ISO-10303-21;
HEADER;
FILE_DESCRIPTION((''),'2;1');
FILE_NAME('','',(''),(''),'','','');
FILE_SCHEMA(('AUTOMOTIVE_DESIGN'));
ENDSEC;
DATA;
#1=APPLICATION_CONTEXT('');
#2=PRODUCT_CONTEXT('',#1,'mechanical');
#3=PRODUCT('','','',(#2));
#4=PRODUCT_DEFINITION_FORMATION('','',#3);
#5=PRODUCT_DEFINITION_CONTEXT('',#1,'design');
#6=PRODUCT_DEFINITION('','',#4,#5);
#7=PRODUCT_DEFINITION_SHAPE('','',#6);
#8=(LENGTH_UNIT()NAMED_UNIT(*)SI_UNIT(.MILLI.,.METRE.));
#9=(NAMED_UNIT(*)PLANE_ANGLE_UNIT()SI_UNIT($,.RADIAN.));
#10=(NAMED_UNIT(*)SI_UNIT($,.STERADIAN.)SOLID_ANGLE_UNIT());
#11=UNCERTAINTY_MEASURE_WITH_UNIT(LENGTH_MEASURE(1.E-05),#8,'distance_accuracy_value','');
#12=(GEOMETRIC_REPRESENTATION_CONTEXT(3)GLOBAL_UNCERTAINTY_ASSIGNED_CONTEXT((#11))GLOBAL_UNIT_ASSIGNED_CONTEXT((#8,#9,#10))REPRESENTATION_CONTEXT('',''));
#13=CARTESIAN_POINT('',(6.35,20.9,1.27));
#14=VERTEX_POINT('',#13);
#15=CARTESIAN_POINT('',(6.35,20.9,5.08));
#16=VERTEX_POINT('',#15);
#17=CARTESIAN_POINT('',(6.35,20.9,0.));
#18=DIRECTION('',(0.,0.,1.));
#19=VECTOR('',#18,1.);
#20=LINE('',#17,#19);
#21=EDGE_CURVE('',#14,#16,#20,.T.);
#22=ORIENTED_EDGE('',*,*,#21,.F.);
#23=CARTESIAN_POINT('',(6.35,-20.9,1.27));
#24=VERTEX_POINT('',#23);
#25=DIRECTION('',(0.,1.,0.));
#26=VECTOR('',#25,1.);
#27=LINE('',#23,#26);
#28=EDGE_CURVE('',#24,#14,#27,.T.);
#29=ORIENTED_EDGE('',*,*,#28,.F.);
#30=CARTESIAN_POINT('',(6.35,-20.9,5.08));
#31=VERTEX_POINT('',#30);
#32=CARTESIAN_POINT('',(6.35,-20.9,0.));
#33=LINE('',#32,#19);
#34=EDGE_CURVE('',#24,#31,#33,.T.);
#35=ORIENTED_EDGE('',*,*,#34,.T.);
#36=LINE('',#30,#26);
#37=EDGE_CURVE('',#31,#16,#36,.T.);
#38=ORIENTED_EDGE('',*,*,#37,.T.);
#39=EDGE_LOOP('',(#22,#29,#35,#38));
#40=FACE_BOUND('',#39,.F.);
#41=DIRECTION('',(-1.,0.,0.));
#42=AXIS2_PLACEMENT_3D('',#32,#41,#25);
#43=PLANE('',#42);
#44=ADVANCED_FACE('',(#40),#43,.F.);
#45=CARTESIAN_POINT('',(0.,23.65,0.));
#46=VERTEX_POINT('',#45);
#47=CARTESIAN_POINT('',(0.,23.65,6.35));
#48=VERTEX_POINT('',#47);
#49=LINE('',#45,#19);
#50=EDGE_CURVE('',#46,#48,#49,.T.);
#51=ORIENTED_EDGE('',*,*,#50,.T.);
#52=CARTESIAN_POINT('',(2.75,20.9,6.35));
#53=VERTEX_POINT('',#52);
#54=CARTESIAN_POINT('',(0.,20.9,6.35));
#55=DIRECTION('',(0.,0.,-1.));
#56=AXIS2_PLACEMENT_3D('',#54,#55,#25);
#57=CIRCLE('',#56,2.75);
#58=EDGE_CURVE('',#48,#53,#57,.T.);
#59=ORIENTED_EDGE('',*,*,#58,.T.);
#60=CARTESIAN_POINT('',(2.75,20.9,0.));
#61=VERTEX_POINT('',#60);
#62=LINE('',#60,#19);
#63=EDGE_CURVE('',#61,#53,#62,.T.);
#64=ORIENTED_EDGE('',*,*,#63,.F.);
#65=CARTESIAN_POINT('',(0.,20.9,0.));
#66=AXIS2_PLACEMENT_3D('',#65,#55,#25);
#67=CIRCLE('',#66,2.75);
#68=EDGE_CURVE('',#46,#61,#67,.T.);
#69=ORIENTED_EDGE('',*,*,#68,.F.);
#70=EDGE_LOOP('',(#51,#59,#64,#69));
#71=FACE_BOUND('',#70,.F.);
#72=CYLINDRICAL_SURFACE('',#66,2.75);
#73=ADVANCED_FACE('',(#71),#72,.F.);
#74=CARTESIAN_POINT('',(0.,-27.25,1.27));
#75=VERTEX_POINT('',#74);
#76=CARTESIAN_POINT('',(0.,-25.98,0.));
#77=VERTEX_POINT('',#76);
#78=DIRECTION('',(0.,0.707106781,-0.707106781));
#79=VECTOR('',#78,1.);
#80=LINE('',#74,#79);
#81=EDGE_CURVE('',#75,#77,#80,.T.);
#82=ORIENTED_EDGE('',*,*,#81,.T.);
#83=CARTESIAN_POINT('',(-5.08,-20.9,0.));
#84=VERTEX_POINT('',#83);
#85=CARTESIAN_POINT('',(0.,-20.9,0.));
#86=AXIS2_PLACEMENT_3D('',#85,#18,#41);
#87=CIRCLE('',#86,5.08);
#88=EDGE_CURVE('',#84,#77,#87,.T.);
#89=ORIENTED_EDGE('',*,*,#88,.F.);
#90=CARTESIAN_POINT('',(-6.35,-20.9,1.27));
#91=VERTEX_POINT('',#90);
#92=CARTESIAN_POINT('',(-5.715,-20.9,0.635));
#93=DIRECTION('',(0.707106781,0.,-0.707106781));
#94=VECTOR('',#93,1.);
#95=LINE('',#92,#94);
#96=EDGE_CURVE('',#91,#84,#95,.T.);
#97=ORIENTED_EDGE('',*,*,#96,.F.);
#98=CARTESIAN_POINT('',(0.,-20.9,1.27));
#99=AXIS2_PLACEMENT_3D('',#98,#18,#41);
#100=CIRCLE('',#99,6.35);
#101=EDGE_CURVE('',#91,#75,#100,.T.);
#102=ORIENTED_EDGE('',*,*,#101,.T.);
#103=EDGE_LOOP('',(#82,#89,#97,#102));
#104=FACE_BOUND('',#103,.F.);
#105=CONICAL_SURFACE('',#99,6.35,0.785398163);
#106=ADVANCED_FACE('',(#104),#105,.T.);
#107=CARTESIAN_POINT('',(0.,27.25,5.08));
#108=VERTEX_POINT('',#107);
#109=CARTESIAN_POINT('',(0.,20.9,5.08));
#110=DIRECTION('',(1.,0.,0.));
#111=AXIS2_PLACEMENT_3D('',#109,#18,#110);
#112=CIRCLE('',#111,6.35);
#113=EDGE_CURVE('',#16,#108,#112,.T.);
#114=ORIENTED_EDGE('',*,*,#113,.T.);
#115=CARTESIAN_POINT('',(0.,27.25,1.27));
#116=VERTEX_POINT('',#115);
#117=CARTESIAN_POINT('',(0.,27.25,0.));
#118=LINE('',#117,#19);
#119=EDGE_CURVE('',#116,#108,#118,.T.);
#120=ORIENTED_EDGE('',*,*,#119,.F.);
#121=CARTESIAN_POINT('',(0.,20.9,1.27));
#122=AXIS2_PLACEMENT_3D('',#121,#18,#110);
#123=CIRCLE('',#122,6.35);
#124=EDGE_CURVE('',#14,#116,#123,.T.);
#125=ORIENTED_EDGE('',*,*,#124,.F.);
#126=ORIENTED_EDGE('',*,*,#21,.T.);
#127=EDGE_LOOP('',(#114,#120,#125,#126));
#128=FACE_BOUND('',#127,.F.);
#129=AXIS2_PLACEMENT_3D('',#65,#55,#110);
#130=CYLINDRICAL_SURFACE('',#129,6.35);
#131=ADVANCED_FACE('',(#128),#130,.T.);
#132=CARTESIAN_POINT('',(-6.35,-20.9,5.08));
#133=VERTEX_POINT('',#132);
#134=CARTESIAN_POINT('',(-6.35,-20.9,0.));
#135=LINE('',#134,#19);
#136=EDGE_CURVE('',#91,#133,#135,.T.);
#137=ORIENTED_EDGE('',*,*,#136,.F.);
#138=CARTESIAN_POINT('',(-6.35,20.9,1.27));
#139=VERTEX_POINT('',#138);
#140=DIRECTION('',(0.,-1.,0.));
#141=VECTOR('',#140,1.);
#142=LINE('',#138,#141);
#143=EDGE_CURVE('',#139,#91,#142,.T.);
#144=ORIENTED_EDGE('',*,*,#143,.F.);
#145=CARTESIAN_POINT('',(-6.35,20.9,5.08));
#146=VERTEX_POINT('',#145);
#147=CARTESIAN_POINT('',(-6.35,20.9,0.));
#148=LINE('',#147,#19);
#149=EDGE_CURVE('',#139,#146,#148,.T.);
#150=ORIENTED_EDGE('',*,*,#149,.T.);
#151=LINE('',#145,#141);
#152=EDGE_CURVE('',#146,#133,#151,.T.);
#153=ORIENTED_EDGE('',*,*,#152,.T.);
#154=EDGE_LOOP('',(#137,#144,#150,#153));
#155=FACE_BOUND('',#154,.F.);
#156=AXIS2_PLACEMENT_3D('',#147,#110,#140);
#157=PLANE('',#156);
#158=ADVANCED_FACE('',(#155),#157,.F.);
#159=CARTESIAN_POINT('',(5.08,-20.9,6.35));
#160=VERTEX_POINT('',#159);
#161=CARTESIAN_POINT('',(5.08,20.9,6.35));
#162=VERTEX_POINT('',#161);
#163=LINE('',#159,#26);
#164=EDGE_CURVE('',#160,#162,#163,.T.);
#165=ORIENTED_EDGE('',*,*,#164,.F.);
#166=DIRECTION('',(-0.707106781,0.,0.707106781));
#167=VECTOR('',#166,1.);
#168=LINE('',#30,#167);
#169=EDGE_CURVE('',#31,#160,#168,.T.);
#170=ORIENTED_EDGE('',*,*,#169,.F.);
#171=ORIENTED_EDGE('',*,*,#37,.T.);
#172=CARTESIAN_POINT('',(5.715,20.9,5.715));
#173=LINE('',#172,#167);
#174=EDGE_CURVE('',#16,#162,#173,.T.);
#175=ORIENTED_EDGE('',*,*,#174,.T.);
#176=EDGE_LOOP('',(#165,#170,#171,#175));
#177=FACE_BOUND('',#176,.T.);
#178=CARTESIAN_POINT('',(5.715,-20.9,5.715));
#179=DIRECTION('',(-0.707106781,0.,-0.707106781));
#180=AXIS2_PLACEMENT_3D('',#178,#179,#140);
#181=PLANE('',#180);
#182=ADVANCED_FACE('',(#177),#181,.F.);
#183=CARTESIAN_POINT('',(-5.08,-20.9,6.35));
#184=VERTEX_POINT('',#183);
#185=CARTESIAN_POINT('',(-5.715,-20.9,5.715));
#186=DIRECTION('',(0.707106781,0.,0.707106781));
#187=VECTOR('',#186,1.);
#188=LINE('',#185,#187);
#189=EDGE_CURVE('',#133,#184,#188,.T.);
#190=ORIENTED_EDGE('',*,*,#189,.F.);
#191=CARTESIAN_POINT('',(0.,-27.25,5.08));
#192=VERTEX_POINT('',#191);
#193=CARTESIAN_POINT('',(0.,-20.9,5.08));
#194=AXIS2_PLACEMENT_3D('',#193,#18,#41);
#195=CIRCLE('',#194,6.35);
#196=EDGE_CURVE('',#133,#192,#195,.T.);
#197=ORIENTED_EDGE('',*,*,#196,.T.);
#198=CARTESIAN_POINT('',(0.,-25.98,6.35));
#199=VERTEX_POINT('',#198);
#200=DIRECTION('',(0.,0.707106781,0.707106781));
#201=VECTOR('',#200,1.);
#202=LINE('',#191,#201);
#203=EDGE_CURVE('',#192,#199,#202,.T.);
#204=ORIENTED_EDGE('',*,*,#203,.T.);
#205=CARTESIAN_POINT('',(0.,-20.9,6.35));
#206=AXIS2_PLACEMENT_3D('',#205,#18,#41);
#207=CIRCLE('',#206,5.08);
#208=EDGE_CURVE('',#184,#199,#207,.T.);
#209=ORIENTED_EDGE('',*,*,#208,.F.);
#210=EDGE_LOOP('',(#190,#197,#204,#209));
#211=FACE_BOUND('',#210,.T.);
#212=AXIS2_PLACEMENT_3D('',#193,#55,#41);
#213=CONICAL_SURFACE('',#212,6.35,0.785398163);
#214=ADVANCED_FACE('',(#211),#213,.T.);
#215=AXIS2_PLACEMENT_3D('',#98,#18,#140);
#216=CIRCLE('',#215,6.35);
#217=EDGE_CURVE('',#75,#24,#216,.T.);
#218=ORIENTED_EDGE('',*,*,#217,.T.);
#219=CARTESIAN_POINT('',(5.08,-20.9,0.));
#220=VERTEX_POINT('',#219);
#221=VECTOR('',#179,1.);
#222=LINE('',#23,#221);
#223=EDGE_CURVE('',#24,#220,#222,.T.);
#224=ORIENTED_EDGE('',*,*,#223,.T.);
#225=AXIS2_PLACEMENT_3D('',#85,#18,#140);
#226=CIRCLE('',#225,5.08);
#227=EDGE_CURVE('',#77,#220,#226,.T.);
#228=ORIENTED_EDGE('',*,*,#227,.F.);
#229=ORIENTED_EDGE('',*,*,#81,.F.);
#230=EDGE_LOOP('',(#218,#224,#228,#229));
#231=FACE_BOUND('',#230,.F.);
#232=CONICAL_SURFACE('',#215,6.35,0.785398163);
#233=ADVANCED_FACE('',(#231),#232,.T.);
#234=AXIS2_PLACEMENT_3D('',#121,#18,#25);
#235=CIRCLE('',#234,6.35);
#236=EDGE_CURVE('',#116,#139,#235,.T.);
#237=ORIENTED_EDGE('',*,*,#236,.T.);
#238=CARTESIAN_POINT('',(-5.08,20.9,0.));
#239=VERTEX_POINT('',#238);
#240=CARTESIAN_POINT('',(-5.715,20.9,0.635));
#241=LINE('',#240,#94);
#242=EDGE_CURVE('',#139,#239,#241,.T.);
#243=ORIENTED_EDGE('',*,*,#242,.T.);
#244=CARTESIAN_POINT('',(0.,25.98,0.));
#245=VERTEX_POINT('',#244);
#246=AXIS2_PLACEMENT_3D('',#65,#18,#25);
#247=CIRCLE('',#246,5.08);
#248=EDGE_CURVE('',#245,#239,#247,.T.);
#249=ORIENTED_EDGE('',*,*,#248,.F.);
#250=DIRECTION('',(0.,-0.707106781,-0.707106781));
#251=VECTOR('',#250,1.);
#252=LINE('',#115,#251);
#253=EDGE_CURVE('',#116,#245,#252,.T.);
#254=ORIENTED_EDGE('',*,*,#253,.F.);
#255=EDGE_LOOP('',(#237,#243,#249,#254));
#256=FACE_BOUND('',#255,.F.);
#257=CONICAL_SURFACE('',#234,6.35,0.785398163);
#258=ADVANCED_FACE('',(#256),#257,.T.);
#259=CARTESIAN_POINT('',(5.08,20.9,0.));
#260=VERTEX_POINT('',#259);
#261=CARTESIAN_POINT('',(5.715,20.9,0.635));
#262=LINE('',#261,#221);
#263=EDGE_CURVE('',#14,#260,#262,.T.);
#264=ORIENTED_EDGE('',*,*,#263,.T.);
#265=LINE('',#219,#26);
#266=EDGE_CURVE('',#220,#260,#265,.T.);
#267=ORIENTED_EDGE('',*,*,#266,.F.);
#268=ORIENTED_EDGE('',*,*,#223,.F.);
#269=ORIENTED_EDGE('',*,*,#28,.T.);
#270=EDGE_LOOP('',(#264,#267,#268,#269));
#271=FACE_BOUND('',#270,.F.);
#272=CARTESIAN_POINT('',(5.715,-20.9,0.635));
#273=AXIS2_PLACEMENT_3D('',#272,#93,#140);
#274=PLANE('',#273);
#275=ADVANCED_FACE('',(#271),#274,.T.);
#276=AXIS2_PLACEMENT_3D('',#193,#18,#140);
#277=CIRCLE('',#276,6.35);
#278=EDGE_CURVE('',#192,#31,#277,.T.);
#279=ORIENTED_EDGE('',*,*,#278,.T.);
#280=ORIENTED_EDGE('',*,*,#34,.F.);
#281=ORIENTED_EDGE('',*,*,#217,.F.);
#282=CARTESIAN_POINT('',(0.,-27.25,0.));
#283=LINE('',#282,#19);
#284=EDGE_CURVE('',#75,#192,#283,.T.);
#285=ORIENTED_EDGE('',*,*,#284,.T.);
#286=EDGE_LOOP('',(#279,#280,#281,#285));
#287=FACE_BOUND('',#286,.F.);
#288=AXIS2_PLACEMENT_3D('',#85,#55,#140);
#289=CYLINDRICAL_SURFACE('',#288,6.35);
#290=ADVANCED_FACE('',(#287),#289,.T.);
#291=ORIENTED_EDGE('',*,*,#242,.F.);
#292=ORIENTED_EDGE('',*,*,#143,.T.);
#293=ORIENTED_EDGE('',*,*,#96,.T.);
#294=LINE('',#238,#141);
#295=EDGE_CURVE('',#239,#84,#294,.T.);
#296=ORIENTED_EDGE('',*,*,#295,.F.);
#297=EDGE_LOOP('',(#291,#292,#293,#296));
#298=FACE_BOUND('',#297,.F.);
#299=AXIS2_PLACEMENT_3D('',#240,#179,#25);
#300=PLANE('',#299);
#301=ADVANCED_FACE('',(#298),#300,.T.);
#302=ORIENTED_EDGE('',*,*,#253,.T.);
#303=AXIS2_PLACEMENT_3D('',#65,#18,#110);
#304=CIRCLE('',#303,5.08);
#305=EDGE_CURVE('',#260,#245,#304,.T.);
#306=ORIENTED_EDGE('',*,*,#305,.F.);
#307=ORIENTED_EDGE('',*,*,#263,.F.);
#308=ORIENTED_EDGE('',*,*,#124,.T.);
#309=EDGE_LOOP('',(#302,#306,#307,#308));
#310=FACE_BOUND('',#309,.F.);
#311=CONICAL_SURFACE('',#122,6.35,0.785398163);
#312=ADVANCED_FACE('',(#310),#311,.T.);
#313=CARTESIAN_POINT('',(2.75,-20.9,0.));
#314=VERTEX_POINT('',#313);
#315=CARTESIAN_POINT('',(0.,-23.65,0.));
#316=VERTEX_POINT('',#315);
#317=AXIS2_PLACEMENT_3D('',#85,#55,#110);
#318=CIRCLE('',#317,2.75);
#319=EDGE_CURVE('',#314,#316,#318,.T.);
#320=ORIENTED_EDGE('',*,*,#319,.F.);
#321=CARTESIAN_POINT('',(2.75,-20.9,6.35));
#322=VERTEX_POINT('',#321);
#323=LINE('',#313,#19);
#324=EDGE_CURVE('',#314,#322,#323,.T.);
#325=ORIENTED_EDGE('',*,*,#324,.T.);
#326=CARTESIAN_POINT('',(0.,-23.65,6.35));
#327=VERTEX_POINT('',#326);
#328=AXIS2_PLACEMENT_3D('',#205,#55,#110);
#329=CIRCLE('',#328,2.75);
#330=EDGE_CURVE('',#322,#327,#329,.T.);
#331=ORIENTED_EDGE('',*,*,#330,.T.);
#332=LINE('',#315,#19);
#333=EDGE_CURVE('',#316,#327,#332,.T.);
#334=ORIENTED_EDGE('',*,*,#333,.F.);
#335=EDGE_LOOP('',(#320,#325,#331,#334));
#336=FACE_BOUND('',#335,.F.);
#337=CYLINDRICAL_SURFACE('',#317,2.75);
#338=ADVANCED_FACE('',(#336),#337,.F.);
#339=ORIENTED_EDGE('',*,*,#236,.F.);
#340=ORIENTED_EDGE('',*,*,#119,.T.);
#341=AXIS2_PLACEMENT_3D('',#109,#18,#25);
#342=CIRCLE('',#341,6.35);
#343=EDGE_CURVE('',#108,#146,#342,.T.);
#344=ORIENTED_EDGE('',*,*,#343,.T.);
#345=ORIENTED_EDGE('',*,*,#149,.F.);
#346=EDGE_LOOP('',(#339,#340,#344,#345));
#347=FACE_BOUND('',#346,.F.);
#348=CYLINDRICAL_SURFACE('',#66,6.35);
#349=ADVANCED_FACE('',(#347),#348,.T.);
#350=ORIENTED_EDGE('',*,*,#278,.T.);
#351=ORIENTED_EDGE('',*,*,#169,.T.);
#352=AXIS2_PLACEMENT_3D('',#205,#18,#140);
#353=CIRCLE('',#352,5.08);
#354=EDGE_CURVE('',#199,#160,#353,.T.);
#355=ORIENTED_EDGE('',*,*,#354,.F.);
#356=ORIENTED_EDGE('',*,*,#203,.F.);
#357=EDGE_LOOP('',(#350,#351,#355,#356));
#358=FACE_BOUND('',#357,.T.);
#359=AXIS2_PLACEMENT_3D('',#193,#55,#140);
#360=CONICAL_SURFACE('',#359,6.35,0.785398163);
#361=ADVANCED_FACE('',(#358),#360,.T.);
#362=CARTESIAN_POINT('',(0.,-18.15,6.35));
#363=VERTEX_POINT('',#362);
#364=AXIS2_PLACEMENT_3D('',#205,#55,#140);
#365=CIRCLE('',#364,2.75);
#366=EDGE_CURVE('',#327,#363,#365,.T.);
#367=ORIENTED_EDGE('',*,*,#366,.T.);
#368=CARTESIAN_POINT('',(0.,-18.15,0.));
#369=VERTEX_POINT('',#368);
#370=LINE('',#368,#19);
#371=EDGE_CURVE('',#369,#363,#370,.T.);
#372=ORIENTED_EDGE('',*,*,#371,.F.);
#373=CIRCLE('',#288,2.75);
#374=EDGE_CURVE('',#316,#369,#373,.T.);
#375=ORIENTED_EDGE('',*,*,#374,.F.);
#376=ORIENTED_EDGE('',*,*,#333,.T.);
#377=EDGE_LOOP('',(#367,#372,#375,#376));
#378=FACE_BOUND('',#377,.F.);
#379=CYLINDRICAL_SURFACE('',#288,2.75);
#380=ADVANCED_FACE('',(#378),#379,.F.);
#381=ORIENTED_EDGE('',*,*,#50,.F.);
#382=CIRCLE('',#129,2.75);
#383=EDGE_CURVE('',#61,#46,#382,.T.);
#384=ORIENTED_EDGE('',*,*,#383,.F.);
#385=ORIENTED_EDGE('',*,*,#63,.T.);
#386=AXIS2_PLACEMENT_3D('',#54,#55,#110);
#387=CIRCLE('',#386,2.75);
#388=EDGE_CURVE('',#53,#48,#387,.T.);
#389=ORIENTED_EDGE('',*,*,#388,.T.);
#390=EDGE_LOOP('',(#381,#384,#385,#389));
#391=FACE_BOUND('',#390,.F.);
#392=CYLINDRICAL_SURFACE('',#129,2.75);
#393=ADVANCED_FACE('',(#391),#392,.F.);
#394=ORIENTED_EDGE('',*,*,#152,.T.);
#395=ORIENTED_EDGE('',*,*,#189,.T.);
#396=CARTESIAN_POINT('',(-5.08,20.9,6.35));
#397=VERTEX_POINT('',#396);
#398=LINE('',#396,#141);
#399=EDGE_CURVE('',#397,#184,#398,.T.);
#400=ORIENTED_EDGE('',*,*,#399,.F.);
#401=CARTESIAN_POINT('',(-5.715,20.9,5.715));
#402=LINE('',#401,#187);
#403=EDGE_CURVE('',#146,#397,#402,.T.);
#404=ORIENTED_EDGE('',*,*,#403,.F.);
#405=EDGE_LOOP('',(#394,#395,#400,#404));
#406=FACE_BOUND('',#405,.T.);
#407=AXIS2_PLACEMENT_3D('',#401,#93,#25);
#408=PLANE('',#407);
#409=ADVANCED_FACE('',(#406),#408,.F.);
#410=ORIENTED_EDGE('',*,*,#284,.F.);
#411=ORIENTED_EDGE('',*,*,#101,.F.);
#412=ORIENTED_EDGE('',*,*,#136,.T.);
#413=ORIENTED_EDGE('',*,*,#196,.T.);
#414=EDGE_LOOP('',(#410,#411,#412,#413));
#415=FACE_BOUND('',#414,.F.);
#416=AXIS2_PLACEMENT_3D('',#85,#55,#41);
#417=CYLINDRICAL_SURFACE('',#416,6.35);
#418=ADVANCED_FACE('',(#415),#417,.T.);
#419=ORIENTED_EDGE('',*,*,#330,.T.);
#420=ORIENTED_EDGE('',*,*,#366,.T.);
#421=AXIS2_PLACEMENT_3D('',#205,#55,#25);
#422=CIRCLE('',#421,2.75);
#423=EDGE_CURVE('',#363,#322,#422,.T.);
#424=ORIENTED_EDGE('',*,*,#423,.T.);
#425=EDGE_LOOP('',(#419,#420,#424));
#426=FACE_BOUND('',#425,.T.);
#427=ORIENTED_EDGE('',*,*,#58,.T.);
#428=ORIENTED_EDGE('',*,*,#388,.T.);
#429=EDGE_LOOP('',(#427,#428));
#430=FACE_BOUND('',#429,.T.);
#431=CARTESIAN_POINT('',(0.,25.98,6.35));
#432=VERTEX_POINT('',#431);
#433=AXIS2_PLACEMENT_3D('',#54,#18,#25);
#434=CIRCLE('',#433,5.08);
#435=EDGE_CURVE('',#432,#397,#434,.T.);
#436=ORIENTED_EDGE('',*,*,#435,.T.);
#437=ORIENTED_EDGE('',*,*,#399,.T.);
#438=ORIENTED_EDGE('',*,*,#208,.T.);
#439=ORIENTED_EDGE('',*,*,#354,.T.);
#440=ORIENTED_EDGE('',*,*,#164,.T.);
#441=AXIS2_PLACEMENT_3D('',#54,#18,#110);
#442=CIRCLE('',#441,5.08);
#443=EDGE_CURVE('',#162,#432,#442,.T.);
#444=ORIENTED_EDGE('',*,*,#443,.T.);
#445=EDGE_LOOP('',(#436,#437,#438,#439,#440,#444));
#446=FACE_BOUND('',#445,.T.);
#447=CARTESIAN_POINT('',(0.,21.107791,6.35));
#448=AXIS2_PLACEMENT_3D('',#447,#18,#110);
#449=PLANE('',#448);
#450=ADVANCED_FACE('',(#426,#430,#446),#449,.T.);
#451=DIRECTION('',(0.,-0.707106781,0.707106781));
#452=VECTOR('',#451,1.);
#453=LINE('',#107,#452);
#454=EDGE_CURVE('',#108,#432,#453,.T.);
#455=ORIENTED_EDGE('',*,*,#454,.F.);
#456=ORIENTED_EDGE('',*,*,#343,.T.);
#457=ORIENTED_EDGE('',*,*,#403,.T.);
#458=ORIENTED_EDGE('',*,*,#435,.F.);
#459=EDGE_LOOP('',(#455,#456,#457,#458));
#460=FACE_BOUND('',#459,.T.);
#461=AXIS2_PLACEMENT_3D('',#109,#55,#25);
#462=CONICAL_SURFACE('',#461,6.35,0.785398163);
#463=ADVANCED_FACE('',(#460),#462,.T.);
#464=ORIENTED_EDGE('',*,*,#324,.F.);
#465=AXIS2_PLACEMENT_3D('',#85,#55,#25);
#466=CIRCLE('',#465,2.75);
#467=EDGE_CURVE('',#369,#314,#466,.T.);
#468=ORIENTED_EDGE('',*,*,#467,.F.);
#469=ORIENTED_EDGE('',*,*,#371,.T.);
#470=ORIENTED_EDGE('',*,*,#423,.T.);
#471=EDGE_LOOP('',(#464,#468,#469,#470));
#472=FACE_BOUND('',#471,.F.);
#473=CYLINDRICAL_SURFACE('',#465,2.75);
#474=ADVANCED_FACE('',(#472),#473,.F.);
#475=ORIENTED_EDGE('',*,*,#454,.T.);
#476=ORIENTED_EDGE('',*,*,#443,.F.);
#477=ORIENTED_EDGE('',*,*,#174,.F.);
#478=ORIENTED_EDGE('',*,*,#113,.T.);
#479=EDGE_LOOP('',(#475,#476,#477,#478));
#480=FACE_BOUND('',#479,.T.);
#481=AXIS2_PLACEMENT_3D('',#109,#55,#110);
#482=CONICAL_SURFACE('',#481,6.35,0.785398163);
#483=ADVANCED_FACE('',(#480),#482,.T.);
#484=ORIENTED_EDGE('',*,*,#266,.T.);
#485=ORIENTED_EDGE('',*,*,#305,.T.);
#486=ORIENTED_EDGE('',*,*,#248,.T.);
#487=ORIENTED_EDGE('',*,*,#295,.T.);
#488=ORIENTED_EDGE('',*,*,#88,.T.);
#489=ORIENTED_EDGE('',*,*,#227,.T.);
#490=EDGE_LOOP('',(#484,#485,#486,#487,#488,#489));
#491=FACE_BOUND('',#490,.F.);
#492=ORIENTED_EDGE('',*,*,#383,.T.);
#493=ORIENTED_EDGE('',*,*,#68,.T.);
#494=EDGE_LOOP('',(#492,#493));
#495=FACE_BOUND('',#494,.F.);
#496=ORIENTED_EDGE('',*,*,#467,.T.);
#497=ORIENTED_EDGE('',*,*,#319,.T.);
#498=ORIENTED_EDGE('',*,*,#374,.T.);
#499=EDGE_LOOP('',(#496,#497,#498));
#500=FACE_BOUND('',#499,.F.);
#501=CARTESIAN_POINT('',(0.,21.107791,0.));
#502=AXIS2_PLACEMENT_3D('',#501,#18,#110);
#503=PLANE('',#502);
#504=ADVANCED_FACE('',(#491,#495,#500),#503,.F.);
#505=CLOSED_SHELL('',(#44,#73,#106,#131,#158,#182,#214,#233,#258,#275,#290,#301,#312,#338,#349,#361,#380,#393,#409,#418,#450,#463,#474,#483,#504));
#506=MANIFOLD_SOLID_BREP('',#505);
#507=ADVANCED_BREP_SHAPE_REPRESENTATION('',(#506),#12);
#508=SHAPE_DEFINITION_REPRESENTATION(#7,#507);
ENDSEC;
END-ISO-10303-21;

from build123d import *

# Parameters (mm, degrees)
F1_DEPTH = 6.35
F2_SIZE  = 1.27


with BuildPart() as f1:
    # F0 (on Top) → F1 (new body)
    with BuildSketch(Plane.XY):
        with BuildLine():
            ThreePointArc((6.35, 20.9), (4.4901280605, 25.3901280605), (0, 27.25))
            ThreePointArc((0, 27.25), (-4.4901280605, 25.3901280605), (-6.35, 20.9))
            ThreePointArc((-6.35, 20.9), (0, 14.55), (6.35, 20.9))
        make_face()
        with BuildLine():
            ThreePointArc((2.75, 20.9), (-1.9445436483, 18.9554563517), (0, 23.65))
            ThreePointArc((0, 23.65), (1.9445436483, 22.8445436483), (2.75, 20.9))
        make_face(mode=Mode.SUBTRACT)
        with BuildLine():
            Line((6.35, -20.9), (6.35, 20.9))
            ThreePointArc((6.35, 20.9), (0, 14.55), (-6.35, 20.9))
            Line((-6.35, 20.9), (-6.35, -20.9))
            ThreePointArc((-6.35, -20.9), (-4.4901280605, -16.4098719395), (0, -14.55))
            ThreePointArc((0, -14.55), (4.4901280605, -16.4098719395), (6.35, -20.9))
        make_face()
        with BuildLine():
            ThreePointArc((0, -14.55), (-4.4901280605, -16.4098719395), (-6.35, -20.9))
            ThreePointArc((-6.35, -20.9), (-4.4901280605, -25.3901280605), (0, -27.25))
            Line((0, -27.25), (0, -23.65))
            ThreePointArc((0, -23.65), (-2.75, -20.9), (0, -18.15))
            Line((0, -18.15), (0, -14.55))
        make_face()
        with BuildLine():
            ThreePointArc((0, -27.25), (4.4901280605, -25.3901280605), (6.35, -20.9))
            ThreePointArc((6.35, -20.9), (4.4901280605, -16.4098719395), (0, -14.55))
            Line((0, -14.55), (0, -18.15))
            ThreePointArc((0, -18.15), (1.9445436483, -18.9554563517), (2.75, -20.9))
            ThreePointArc((2.75, -20.9), (1.9445436483, -22.8445436483), (0, -23.65))
            Line((0, -23.65), (0, -27.25))
        make_face()
    extrude(amount=F1_DEPTH)

    # F2
    f2_edges = [f1.edges().sort_by_distance(p)[0] for p in [
        (-6.35, 0, 0),
        (-6.35, 0, 6.35),
    ]]
    chamfer(f2_edges, length=F2_SIZE)


solid = f1.part
